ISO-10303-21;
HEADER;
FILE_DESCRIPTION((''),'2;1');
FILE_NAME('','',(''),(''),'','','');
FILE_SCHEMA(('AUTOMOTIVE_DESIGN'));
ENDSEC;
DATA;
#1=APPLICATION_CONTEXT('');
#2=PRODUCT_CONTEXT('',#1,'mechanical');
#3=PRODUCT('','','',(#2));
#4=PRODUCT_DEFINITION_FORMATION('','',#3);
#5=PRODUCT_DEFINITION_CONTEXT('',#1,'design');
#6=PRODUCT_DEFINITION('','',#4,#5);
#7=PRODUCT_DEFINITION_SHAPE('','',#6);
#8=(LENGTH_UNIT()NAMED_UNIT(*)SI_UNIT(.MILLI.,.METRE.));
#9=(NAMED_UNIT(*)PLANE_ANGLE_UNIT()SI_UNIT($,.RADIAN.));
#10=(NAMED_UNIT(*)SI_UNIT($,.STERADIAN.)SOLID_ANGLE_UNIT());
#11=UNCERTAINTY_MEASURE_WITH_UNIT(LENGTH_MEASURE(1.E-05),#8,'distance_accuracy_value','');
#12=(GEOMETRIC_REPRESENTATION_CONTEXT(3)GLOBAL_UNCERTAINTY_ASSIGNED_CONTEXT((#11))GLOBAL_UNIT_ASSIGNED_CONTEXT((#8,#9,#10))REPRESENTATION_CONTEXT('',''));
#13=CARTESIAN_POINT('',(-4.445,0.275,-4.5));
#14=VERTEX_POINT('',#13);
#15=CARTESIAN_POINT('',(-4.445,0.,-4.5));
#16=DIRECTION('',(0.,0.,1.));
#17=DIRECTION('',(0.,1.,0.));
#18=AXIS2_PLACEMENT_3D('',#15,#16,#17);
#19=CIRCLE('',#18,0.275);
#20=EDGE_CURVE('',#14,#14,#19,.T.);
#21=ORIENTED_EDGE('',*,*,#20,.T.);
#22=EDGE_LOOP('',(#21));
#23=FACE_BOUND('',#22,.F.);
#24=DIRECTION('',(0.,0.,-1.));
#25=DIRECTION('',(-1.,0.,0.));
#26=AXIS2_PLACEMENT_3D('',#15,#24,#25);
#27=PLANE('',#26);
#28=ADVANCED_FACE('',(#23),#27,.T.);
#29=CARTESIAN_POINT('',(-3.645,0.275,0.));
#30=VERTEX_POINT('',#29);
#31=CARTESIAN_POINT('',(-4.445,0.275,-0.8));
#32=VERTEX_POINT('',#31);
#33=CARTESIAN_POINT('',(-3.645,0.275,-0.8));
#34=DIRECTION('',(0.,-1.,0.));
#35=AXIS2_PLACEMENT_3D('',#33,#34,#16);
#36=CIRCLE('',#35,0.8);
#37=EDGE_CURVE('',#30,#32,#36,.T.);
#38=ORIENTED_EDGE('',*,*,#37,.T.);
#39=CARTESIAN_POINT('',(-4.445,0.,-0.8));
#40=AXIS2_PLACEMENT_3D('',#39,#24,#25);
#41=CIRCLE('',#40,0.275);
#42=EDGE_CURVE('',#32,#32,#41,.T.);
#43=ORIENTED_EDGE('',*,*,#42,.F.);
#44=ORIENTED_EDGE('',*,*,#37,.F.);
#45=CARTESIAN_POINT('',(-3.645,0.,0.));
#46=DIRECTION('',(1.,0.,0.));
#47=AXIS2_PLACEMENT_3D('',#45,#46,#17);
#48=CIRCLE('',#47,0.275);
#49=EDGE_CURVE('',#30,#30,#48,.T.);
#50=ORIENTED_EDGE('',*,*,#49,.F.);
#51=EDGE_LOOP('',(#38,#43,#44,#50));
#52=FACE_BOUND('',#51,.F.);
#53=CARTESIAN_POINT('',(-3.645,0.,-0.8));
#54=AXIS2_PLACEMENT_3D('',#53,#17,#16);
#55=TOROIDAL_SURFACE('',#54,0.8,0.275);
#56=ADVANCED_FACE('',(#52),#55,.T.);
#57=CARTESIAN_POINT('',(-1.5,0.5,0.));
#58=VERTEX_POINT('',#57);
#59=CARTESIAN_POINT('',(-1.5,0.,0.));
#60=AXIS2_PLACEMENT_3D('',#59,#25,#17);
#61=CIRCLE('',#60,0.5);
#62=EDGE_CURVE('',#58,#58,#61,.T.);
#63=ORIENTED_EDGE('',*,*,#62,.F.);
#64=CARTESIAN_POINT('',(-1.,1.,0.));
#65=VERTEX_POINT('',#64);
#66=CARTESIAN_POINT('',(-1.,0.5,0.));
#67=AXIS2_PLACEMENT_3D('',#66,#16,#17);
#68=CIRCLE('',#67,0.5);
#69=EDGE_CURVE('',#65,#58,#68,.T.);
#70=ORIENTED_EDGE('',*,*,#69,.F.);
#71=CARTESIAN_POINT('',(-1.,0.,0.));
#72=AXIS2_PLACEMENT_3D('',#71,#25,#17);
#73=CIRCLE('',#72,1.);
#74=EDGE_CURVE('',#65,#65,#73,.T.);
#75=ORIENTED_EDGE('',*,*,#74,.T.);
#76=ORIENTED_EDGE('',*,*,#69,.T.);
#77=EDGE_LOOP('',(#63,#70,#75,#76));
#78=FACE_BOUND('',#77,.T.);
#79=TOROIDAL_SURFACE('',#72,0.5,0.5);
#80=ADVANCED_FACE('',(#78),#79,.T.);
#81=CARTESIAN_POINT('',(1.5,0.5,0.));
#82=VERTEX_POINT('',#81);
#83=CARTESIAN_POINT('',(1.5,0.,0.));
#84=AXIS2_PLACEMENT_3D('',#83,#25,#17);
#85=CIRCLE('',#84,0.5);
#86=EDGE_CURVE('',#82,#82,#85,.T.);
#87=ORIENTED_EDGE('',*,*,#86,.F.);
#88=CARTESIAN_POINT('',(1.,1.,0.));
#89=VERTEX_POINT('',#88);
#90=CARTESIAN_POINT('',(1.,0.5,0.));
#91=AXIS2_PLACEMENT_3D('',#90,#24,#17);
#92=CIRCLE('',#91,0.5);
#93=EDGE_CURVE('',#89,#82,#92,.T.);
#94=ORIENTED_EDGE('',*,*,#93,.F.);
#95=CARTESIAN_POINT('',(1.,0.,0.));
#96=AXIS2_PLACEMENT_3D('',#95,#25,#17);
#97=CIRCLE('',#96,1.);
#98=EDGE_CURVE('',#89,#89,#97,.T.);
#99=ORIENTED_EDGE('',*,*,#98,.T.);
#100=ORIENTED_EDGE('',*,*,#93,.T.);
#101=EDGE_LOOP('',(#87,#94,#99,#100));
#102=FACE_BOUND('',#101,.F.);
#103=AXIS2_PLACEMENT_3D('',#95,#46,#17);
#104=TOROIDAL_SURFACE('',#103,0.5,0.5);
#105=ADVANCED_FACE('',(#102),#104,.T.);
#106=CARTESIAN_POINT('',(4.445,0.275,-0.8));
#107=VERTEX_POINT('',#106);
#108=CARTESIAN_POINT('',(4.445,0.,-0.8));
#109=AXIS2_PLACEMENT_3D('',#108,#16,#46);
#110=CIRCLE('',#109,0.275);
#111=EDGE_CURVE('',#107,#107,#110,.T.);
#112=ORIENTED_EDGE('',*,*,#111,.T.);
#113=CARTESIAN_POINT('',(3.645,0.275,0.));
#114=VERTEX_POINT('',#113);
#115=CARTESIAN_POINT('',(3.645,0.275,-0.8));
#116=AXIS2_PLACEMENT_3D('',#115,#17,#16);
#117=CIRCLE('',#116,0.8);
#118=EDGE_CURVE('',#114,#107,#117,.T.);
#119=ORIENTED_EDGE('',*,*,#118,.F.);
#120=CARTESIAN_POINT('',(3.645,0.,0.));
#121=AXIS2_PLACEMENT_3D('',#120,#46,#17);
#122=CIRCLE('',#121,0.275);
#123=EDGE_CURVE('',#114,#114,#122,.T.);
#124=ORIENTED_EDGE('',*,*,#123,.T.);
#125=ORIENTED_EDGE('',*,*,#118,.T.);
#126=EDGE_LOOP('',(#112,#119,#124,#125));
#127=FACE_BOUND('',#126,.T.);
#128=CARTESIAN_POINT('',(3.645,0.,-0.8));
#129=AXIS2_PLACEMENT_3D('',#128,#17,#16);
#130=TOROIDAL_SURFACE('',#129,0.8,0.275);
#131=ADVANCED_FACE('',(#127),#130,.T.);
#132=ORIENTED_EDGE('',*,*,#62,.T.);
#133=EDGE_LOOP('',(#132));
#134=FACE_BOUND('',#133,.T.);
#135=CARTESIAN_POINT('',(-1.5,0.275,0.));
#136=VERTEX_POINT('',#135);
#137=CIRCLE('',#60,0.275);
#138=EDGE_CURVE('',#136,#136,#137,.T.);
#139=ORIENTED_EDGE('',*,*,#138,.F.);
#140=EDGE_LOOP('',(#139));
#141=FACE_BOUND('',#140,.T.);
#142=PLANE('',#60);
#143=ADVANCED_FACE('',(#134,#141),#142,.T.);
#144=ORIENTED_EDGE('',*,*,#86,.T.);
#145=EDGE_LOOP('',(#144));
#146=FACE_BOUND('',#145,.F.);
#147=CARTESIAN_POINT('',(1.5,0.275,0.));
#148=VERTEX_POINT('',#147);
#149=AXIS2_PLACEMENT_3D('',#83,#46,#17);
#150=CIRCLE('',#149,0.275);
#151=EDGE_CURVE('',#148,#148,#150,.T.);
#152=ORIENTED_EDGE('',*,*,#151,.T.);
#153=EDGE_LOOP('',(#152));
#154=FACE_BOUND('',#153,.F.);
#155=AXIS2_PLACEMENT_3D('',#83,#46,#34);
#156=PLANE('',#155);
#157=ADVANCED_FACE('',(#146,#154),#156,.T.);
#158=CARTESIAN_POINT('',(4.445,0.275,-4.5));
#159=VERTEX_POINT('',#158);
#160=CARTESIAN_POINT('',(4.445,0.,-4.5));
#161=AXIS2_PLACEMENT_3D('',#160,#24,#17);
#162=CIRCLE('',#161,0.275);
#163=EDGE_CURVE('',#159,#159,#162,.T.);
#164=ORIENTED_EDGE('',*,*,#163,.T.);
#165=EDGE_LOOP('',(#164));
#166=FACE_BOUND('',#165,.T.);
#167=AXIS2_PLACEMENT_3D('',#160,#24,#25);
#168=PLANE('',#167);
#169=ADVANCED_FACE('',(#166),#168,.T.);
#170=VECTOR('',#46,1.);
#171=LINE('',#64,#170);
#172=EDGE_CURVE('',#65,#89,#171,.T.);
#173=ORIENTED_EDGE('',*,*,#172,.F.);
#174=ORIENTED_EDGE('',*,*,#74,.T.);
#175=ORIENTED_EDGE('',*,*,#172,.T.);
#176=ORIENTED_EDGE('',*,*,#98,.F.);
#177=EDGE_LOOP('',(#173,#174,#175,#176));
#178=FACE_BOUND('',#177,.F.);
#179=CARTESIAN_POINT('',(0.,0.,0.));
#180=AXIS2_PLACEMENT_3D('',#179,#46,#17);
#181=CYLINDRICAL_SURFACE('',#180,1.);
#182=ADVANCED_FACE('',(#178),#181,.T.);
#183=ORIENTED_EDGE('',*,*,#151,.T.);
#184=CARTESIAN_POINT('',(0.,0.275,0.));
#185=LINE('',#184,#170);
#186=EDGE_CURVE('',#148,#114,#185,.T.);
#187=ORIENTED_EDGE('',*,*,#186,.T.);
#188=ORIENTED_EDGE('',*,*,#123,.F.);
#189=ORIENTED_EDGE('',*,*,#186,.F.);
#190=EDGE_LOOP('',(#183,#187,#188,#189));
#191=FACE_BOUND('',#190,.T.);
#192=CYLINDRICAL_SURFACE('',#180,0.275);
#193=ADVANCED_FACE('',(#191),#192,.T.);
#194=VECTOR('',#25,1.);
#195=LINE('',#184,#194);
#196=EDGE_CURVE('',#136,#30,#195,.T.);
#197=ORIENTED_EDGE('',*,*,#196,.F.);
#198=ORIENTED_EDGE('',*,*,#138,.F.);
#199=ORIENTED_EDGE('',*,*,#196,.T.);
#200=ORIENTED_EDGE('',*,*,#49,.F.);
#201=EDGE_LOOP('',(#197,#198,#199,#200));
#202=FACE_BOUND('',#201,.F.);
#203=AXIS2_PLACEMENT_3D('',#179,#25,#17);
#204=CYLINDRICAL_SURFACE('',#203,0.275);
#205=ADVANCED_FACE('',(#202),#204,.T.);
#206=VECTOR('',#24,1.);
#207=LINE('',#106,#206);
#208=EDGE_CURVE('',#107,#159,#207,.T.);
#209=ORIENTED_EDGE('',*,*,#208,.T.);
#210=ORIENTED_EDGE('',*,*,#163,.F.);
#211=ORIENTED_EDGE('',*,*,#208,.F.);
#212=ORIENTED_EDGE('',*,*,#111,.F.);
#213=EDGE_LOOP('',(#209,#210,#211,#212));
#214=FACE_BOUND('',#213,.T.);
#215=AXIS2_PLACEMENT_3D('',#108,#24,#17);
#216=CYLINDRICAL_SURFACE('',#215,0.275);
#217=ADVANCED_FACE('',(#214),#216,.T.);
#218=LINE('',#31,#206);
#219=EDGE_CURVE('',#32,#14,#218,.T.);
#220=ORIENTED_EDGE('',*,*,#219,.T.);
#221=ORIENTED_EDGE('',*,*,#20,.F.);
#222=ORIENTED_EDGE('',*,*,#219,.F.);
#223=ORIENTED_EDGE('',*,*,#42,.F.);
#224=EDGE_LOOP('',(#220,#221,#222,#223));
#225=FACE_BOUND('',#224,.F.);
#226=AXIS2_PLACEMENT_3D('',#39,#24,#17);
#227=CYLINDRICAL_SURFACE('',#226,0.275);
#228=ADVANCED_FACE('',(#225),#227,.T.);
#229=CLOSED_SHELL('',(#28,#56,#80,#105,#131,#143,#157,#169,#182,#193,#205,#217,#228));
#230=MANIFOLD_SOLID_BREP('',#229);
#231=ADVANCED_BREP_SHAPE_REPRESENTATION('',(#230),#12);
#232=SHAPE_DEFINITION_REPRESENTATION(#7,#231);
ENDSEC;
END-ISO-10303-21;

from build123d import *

# Parameters (mm, degrees)
F3_R = 0.275


with BuildPart() as f1:
    # F0 (on Top) → F1 (revolve)
    with BuildSketch(Plane.XY):
        with BuildLine():
            Line((0, 0), (0, 1))
            Line((0, 1), (-1, 1))
            ThreePointArc((-1, 1), (-1.3535533906, 0.8535533906), (-1.5, 0.5))
            Line((-1.5, 0.5), (-1.5, 0))
            Line((-1.5, 0), (0, 0))
        make_face()
    revolve(axis=Axis((-0.75, 0, 0), (-1, 0, 0)))

    # F2: F1 across face


with BuildPart() as f1_1:
    add(f1.part)
    add(f1.part.mirror(Plane.YZ))



with BuildPart() as f5:
    # F5: sweep along a path in F4
    with BuildLine(Plane.XZ) as f5_path:
        Line((0, 0), (3.645, 0))
        ThreePointArc((3.645, 0), (4.2106854249, -0.2343145751), (4.445, -0.8))
        Line((4.445, -0.8), (4.445, -4.5))
    # F3 (on Right) → F5 (sweep)
    with BuildSketch(Plane.YZ):
        Circle(F3_R)
    sweep(path=f5_path.line)


with BuildPart() as f1_2:
    add(f1_1.part)

    add(f5.part)  # F6 merges F5
    # F6: F5 across plane
    add(f5.part.mirror(Plane.YZ))


solid = f1_2.part
